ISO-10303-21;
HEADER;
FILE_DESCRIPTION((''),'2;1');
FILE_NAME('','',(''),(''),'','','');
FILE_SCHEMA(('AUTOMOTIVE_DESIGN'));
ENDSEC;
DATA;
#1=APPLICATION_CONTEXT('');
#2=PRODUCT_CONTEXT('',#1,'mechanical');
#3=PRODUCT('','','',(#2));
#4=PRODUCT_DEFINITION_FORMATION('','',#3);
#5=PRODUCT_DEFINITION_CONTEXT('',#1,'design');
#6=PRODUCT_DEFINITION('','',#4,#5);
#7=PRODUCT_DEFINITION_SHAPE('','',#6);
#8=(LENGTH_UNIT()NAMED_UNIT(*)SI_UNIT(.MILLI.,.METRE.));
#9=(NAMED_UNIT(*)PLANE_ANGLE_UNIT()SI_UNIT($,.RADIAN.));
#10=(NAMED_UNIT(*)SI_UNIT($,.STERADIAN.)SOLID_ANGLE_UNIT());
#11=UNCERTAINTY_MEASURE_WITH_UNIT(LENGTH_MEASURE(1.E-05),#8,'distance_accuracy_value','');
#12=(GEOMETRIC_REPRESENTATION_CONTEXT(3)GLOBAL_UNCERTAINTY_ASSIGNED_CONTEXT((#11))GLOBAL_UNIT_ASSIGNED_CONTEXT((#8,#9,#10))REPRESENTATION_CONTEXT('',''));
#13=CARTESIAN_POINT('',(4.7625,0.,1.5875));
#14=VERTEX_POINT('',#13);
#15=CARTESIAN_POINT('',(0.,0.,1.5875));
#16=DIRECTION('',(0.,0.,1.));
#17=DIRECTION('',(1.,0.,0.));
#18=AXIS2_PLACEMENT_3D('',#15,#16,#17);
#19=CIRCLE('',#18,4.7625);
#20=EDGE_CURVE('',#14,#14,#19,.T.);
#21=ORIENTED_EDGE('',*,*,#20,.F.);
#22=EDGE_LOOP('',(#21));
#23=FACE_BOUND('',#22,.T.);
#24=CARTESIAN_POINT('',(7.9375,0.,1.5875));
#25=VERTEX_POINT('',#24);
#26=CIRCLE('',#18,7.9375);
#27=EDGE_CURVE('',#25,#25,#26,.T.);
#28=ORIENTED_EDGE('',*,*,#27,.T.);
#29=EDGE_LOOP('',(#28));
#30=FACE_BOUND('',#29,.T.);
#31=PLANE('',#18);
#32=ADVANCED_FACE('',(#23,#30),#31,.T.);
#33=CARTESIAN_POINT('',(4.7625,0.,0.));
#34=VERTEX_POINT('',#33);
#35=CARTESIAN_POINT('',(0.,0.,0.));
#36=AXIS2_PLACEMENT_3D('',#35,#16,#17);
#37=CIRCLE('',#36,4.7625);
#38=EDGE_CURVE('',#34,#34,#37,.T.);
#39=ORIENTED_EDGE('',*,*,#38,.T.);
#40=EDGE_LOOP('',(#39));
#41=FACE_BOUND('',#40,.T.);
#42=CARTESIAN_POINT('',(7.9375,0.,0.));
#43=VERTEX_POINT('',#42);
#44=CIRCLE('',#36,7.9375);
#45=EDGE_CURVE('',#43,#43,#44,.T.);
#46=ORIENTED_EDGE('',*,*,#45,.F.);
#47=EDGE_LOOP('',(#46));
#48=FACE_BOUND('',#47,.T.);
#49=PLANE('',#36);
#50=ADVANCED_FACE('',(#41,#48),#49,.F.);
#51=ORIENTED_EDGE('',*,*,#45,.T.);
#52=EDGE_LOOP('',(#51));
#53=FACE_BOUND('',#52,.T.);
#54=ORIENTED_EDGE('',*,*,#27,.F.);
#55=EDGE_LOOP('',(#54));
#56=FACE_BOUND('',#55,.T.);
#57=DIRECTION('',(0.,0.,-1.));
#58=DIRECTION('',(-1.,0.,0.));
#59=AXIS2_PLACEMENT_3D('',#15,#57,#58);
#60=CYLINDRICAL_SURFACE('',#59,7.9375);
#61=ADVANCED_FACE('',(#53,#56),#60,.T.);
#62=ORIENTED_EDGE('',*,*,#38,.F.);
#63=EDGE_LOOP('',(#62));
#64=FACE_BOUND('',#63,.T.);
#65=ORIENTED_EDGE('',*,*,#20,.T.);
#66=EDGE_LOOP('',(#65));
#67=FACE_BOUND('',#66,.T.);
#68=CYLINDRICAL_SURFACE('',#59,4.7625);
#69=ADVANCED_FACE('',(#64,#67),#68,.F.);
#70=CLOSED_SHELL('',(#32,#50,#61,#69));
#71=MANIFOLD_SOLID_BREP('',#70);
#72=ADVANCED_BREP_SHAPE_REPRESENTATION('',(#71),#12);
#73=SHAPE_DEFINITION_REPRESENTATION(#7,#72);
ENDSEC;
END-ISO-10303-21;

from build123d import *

# Parameters (mm, degrees)
SKETCH1_R           = 7.9375
SKETCH1_R_2         = 4.7625
BOSS_EXTRUDE1_DEPTH = 1.5875


with BuildPart() as part:
    # Sketch1 → Boss-Extrude1 (new body)
    with BuildSketch(Plane.XY):
        Circle(SKETCH1_R)
        Circle(SKETCH1_R_2, mode=Mode.SUBTRACT)
    extrude(amount=BOSS_EXTRUDE1_DEPTH)


solid = part.part
